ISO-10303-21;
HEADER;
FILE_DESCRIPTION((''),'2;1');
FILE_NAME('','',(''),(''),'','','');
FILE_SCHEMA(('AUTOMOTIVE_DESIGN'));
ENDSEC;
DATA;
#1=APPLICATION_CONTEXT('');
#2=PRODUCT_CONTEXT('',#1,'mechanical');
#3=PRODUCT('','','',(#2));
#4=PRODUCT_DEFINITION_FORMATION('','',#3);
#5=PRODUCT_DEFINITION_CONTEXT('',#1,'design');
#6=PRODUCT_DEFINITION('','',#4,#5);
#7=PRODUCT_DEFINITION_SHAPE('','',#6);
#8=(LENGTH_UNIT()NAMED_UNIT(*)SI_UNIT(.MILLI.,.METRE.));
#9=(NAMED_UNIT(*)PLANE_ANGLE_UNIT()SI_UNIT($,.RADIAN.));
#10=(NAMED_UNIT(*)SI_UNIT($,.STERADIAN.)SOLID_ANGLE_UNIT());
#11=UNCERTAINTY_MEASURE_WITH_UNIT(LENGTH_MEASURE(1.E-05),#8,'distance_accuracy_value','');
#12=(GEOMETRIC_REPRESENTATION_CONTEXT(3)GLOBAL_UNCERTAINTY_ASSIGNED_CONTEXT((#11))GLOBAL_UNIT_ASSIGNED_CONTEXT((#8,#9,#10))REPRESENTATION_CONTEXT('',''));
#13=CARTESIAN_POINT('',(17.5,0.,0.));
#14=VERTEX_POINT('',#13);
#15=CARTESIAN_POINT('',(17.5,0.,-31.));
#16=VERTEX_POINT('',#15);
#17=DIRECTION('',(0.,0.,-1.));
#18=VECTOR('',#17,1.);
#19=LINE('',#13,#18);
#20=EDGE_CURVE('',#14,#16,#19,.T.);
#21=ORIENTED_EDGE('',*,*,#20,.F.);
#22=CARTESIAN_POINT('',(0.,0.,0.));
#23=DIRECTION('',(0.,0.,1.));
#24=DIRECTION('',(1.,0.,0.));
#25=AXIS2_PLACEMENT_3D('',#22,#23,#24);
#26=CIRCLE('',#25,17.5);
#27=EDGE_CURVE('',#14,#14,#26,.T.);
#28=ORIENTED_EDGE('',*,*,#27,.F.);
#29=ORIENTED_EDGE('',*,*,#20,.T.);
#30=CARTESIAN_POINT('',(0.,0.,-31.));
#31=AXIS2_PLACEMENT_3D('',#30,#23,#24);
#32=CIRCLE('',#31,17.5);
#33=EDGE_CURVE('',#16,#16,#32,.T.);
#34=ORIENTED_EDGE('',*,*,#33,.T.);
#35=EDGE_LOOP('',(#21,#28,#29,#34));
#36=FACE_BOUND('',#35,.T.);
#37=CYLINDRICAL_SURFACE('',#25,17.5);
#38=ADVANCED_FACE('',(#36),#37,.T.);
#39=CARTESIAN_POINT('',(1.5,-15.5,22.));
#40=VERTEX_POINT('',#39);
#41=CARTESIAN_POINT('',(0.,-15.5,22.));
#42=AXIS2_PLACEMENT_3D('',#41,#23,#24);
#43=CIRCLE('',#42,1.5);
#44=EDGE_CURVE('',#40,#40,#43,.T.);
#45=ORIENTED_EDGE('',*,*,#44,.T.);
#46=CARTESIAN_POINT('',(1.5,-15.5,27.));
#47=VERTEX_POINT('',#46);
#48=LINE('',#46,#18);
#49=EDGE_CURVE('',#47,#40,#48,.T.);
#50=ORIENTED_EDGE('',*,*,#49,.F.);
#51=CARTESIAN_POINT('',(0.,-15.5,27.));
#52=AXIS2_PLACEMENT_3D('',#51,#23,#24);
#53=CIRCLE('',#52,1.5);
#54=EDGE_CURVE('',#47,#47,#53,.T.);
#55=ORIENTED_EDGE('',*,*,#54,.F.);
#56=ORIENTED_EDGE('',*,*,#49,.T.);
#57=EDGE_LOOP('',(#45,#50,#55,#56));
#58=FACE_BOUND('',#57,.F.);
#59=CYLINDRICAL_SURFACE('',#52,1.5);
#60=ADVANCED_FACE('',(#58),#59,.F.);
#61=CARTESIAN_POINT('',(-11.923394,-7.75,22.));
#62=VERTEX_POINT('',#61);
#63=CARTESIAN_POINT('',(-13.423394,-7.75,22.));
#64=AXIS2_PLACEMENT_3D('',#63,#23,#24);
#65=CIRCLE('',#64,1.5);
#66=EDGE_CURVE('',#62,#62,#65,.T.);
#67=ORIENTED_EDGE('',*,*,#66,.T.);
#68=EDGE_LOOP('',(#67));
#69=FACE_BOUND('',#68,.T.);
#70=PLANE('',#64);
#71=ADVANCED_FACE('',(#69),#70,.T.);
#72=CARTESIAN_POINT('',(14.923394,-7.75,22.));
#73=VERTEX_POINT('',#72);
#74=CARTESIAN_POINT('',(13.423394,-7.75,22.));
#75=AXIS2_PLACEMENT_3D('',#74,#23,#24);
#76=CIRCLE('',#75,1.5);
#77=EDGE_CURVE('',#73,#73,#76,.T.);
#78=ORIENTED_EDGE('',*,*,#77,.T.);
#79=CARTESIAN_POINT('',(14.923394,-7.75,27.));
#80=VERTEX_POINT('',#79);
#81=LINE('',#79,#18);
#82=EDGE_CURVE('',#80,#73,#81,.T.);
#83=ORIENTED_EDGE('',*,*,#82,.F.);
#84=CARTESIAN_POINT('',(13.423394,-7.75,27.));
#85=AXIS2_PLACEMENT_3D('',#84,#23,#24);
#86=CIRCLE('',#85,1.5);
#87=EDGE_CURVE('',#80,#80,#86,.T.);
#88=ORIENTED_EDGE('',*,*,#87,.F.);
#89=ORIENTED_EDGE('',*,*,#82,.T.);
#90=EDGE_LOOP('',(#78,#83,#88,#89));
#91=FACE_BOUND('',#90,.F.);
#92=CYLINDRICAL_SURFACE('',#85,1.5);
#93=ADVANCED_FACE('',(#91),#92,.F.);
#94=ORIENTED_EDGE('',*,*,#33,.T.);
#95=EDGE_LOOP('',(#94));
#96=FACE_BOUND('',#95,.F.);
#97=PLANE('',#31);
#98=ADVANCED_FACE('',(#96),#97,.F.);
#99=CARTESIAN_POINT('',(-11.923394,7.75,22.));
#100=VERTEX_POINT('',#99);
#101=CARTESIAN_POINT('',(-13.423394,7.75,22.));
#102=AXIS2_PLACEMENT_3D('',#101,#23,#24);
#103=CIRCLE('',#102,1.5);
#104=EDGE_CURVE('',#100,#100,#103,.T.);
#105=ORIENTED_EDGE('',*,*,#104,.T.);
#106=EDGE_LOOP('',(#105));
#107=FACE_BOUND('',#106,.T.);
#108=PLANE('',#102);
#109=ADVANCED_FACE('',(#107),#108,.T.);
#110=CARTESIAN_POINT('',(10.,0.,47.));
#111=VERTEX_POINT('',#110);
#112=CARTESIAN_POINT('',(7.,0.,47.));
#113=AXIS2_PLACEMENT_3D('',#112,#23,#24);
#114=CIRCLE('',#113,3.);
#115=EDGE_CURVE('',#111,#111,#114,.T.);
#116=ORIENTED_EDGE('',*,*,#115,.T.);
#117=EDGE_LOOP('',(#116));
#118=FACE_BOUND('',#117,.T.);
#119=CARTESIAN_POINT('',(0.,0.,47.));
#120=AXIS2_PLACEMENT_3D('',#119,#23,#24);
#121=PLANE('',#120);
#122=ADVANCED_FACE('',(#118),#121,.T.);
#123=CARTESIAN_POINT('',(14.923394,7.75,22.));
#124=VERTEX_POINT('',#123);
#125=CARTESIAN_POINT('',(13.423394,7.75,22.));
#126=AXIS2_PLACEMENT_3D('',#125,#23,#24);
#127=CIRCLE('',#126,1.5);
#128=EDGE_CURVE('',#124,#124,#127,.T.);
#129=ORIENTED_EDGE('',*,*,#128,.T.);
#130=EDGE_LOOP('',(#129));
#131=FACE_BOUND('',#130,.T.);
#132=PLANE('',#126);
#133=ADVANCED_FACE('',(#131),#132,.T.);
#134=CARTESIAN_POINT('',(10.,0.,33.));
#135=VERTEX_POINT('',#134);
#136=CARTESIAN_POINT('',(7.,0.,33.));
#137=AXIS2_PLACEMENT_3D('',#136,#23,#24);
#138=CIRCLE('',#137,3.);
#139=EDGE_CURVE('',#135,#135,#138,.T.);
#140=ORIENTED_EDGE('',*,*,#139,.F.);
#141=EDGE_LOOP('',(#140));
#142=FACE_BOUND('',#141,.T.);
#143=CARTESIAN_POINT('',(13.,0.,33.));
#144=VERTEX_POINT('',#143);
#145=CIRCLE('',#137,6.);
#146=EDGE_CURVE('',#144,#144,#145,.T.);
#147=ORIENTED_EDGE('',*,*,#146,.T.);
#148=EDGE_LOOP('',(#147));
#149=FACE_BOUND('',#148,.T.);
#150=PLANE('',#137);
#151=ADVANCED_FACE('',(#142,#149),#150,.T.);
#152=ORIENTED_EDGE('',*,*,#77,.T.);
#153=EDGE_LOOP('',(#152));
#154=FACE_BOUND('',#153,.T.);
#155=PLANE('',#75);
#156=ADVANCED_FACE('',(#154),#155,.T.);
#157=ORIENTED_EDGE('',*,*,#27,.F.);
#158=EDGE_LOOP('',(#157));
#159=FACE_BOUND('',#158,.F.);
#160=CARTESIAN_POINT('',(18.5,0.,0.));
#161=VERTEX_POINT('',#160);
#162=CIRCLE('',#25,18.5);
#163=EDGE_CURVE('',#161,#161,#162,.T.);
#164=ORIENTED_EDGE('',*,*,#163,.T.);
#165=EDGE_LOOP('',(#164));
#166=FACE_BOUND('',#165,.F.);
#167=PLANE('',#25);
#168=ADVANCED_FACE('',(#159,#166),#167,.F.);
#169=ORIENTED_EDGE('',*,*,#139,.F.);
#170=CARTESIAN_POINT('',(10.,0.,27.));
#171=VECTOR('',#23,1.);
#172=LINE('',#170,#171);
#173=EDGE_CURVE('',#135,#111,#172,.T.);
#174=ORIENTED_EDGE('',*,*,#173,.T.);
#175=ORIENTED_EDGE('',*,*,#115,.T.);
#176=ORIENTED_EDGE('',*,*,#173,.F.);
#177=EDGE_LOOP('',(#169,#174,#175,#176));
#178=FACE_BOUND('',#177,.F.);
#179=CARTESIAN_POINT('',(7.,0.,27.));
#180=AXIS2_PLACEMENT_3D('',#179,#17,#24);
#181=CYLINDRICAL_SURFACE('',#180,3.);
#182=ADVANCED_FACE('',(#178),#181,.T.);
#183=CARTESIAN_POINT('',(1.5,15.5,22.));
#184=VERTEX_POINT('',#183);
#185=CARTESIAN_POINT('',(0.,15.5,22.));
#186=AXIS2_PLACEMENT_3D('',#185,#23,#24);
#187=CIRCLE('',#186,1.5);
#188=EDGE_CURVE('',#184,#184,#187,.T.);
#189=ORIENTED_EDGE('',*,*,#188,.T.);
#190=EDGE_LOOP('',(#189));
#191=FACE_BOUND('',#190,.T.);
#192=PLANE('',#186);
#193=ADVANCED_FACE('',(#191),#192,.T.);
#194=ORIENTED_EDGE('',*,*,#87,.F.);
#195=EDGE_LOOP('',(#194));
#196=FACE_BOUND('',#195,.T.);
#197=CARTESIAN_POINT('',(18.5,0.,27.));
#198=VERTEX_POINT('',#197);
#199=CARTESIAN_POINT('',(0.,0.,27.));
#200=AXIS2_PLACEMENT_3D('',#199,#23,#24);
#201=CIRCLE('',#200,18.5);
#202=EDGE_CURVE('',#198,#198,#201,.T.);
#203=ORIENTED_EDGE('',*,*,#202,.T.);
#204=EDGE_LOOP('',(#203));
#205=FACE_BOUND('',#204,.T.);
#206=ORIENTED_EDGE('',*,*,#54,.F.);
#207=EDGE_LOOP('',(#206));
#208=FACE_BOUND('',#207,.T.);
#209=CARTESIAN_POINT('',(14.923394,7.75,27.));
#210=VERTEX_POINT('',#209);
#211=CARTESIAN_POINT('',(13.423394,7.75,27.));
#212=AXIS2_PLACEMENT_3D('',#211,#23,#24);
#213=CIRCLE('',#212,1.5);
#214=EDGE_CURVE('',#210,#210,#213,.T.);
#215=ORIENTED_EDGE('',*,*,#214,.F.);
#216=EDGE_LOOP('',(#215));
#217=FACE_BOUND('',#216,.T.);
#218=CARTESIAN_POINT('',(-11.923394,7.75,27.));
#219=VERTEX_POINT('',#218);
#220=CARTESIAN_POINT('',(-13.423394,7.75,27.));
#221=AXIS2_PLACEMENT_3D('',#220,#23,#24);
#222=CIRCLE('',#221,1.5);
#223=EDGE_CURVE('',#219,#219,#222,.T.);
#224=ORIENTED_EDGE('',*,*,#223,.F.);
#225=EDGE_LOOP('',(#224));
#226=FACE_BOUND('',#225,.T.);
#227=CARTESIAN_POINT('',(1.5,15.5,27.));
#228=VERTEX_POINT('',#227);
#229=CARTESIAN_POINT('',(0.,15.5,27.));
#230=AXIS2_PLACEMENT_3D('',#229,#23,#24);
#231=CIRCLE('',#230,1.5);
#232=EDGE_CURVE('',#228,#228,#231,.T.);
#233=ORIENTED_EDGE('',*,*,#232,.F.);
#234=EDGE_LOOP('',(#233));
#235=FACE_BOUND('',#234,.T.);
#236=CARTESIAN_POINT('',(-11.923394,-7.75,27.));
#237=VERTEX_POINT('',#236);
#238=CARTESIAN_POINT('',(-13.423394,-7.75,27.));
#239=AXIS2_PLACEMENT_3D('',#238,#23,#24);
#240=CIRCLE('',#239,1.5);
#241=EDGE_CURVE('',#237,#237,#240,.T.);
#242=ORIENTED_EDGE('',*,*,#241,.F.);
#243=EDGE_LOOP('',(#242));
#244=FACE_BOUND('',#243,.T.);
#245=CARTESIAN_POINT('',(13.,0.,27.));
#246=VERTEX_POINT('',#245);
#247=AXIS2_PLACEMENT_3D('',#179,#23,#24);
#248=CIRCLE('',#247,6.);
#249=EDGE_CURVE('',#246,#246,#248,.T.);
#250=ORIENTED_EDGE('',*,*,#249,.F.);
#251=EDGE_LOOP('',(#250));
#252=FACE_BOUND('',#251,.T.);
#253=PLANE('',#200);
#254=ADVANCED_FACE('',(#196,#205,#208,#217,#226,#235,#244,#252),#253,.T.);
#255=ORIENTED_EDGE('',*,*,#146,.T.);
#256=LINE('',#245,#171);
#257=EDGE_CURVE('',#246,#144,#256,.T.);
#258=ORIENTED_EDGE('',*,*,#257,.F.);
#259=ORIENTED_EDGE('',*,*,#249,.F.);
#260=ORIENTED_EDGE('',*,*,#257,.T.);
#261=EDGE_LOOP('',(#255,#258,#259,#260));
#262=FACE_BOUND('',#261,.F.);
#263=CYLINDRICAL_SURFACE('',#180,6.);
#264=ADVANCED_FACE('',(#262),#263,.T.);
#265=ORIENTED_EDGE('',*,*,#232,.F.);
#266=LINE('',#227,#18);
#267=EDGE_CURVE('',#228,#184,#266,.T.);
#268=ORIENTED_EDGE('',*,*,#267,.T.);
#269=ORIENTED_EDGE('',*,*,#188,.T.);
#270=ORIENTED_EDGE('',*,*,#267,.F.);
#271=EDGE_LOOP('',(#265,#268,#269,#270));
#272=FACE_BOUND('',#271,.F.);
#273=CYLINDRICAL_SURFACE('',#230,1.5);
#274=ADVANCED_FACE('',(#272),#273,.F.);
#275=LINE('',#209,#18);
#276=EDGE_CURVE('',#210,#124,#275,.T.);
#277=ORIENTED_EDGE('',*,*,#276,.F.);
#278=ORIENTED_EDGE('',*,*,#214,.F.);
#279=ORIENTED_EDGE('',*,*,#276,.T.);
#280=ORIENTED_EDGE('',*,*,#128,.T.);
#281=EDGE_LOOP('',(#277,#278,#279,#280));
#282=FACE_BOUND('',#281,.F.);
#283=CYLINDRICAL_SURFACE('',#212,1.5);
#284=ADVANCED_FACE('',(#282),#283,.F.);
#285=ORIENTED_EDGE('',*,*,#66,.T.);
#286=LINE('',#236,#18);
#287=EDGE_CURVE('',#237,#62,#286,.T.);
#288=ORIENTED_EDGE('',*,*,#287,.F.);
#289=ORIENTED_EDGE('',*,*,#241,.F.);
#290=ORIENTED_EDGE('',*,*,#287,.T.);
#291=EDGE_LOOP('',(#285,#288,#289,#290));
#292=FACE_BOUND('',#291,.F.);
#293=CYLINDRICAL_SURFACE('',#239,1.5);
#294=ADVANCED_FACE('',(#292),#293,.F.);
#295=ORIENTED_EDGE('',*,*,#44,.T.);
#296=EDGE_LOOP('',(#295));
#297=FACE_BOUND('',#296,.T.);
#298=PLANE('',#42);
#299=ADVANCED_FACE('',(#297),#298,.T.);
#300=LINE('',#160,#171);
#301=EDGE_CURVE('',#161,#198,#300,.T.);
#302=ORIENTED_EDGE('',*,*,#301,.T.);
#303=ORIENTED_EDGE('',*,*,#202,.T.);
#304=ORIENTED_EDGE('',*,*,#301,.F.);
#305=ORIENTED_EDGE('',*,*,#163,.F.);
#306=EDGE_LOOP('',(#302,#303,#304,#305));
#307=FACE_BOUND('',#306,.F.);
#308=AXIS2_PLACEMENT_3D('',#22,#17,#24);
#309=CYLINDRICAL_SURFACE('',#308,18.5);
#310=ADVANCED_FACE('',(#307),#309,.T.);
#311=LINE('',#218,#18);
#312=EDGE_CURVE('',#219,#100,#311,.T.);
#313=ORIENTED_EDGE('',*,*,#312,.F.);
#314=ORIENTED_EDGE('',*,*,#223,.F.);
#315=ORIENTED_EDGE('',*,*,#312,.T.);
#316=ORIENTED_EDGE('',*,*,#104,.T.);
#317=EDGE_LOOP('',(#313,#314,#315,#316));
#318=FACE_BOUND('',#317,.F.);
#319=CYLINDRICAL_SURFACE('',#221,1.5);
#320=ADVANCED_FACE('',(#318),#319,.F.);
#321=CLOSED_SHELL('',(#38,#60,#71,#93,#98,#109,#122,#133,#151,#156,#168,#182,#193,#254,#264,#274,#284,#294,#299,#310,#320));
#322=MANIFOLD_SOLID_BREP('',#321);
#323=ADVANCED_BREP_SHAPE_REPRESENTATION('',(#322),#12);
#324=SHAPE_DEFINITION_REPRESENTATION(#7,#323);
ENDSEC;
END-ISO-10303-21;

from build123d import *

# Parameters (mm, degrees)
F0_R     = 18.5
F0_R_2   = 17.5
F1_DEPTH = 27
F2_DEPTH = 31
F3_R     = 1.5
F4_DEPTH = 5
F3_R_2   = 6
F3_R_3   = 3
F5_DEPTH = 6
F6_DEPTH = 20


with BuildPart() as f1:
    # F0 (on Top) → F1 (new body)
    with BuildSketch(Plane.XY):
        Circle(F0_R)
        Circle(F0_R_2, mode=Mode.SUBTRACT)
        Circle(F0_R_2)
    extrude(amount=F1_DEPTH)

    # F0 (on Top) → F2 (join)
    with BuildSketch(Plane.XY):
        Circle(F0_R_2)
    extrude(amount=-F2_DEPTH)

    # F3 (on face) → F4 (cut)
    with BuildSketch(Plane.XY.offset(27)):
        with Locations((0, 15.5)):
            Circle(F3_R)
        with Locations((13.4233937587, 7.75)):
            Circle(F3_R)
        with Locations((13.4233937587, -7.75)):
            Circle(F3_R)
        with Locations((0, -15.5)):
            Circle(F3_R)
        with Locations((-13.4233937587, -7.75)):
            Circle(F3_R)
        with Locations((-13.4233937587, 7.75)):
            Circle(F3_R)
    extrude(amount=-F4_DEPTH, mode=Mode.SUBTRACT)

    # F3 (on face) → F5 (join)
    with BuildSketch(Plane.XY.offset(27)):
        with Locations((7, 0)):
            Circle(F3_R_2)
        with Locations((7, 0)):
            Circle(F3_R_3, mode=Mode.SUBTRACT)
    extrude(amount=F5_DEPTH)

    # F6 (add): a face of the model
    f6_faces = [f1.faces().sort_by_distance(p)[0] for p in [
        (7, 0, 27),
    ]]
    extrude(f6_faces, amount=F6_DEPTH)


solid = f1.part
